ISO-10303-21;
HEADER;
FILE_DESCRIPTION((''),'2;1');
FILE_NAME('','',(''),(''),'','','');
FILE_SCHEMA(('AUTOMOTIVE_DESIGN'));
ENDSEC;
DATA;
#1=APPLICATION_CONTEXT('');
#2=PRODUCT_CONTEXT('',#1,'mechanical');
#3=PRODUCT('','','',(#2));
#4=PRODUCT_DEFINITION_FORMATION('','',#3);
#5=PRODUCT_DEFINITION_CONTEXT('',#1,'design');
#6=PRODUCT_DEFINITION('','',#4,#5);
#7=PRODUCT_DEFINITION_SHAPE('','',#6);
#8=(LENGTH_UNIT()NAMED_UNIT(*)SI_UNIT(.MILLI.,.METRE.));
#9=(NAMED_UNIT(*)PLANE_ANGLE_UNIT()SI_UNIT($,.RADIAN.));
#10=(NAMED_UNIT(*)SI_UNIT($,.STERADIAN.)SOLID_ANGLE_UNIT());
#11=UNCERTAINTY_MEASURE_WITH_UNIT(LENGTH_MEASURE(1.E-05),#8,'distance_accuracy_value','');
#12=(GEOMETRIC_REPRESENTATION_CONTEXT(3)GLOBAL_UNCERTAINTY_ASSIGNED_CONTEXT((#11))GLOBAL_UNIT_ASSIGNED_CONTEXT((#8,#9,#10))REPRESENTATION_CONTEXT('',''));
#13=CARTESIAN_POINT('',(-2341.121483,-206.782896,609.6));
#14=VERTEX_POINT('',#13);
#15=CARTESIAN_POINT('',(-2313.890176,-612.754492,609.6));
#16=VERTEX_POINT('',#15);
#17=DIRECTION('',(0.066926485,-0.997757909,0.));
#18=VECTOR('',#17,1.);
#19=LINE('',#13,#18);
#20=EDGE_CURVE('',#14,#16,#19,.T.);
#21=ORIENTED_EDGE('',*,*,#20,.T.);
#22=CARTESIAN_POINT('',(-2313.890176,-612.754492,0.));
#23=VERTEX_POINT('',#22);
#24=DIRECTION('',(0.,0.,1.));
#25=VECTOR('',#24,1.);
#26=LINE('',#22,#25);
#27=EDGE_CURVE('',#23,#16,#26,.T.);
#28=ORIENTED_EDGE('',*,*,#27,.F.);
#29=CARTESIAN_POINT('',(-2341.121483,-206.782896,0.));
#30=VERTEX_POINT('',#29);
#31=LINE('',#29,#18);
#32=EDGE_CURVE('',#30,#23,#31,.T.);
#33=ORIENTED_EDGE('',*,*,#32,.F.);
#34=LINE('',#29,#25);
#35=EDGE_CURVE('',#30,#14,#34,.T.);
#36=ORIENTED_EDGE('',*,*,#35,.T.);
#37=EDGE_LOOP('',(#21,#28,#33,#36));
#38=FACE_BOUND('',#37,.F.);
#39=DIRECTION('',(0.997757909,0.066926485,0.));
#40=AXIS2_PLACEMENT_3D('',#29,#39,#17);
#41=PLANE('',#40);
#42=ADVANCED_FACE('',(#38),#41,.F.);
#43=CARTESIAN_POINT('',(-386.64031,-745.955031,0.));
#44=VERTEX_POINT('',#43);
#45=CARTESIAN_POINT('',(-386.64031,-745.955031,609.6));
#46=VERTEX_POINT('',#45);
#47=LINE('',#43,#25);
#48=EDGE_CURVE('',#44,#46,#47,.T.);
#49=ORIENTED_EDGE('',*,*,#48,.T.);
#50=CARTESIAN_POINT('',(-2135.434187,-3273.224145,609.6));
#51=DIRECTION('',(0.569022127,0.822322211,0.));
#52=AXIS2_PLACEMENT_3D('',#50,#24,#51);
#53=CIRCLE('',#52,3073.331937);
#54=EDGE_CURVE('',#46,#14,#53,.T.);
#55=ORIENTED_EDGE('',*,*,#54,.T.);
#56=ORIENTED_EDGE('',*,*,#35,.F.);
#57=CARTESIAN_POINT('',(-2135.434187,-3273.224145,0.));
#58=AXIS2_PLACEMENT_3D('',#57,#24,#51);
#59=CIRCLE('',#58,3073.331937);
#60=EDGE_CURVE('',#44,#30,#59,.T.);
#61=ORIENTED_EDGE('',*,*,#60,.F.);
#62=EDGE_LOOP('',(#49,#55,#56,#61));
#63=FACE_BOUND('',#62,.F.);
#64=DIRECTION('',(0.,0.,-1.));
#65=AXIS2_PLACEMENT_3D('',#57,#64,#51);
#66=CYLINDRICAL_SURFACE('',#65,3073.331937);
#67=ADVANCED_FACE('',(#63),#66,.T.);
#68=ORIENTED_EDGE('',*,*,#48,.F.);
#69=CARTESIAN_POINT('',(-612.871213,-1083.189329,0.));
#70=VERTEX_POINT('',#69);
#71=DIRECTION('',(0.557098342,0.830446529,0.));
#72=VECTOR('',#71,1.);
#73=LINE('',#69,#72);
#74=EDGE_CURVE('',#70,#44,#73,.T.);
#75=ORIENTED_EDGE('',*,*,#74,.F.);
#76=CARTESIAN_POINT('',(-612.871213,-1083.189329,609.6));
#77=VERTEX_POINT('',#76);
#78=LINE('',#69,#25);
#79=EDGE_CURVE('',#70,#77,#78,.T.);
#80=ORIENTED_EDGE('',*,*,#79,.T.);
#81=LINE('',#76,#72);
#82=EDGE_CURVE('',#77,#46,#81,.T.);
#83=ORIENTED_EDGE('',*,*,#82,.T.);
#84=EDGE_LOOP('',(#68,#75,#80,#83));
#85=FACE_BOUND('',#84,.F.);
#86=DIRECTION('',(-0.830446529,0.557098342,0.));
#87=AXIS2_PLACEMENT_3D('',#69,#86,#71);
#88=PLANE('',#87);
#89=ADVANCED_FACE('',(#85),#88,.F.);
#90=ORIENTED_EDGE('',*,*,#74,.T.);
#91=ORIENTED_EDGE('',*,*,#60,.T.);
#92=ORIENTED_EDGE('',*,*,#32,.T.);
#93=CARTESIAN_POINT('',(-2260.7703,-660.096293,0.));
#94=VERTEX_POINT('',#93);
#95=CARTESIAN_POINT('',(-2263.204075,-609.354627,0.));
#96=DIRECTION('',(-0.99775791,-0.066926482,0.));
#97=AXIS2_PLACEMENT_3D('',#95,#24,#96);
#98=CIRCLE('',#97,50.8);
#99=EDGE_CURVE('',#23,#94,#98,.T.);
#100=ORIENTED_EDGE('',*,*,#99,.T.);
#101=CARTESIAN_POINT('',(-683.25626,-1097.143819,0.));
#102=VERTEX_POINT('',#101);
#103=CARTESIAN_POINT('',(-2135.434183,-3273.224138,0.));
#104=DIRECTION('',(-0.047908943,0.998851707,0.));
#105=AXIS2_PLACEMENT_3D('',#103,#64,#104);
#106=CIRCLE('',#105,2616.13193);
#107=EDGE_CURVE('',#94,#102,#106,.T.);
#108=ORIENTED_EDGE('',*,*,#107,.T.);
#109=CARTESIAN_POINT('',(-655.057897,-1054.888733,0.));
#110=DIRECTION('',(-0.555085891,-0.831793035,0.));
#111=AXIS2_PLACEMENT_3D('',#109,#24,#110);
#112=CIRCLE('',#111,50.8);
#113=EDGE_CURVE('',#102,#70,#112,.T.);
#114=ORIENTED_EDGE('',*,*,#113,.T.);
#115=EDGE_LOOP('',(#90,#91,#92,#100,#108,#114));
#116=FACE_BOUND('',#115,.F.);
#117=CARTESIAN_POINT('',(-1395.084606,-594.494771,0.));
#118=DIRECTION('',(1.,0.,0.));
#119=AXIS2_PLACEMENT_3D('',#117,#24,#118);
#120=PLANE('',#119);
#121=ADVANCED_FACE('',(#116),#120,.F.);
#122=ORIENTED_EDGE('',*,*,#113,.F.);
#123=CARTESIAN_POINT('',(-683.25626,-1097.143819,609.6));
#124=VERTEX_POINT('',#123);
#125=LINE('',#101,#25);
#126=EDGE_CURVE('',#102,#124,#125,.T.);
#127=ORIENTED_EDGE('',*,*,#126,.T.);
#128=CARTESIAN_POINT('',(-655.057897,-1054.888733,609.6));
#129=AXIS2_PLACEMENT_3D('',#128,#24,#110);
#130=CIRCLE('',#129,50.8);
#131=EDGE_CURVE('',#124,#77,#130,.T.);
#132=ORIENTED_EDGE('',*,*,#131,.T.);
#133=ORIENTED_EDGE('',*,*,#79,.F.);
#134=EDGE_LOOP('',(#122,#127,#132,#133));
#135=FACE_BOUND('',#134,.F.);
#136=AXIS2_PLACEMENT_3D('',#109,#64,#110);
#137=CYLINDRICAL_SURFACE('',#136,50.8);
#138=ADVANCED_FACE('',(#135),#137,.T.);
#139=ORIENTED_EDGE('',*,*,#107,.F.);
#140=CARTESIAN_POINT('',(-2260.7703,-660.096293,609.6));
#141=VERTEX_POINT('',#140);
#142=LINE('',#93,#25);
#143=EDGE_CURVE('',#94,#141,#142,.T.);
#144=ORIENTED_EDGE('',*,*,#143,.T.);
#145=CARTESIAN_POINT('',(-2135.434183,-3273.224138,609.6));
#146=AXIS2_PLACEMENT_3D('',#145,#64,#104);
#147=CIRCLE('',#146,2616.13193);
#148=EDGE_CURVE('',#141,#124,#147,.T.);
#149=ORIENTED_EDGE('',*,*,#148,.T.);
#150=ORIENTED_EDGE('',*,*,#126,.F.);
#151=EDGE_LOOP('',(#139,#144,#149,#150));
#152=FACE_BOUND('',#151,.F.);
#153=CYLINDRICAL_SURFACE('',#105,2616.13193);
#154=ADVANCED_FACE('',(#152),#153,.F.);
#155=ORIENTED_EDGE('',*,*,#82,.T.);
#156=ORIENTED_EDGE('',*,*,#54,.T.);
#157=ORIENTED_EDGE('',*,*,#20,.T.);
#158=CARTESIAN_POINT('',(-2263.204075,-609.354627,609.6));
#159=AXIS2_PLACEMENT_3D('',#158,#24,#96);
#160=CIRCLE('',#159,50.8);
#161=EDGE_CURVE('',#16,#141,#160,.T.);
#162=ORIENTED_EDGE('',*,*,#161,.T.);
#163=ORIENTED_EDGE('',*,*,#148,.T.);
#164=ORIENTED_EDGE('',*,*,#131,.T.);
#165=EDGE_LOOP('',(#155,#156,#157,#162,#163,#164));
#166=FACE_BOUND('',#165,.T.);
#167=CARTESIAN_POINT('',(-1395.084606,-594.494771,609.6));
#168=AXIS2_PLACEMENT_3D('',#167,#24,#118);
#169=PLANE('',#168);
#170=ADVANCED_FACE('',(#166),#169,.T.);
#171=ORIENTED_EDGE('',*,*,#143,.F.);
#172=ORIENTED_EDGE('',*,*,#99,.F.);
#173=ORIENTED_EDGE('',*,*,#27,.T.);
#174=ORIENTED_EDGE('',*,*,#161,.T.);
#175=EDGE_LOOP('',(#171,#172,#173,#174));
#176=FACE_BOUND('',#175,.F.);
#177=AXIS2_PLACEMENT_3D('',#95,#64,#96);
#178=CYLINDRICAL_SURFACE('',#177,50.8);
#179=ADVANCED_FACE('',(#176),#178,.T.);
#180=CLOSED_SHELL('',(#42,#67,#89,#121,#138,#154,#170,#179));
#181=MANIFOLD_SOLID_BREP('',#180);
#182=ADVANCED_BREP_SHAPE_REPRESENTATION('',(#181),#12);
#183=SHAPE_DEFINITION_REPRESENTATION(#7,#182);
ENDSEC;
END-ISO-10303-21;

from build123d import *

# Parameters (mm, degrees)
F1_DEPTH = 609.6


with BuildPart() as f1:
    # F0 (on Top) → F1 (new body)
    with BuildSketch(Plane.XY):
        with BuildLine():
            ThreePointArc((-386.64031, -745.955031), (-1318.13918, -310.556754), (-2341.121483, -206.782896))
            Line((-2341.121483, -206.782896), (-2313.890176, -612.754492))
            ThreePointArc((-2313.890176, -612.754492), (-2297.003236, -647.278981), (-2260.7703, -660.096293))
            ThreePointArc((-2260.7703, -660.096293), (-1436.950161, -752.060449), (-683.25626, -1097.143819))
            ThreePointArc((-683.25626, -1097.143819), (-645.178614, -1104.718842), (-612.871213, -1083.189329))
            Line((-612.871213, -1083.189329), (-386.64031, -745.955031))
        make_face()
    extrude(amount=F1_DEPTH)


solid = f1.part
